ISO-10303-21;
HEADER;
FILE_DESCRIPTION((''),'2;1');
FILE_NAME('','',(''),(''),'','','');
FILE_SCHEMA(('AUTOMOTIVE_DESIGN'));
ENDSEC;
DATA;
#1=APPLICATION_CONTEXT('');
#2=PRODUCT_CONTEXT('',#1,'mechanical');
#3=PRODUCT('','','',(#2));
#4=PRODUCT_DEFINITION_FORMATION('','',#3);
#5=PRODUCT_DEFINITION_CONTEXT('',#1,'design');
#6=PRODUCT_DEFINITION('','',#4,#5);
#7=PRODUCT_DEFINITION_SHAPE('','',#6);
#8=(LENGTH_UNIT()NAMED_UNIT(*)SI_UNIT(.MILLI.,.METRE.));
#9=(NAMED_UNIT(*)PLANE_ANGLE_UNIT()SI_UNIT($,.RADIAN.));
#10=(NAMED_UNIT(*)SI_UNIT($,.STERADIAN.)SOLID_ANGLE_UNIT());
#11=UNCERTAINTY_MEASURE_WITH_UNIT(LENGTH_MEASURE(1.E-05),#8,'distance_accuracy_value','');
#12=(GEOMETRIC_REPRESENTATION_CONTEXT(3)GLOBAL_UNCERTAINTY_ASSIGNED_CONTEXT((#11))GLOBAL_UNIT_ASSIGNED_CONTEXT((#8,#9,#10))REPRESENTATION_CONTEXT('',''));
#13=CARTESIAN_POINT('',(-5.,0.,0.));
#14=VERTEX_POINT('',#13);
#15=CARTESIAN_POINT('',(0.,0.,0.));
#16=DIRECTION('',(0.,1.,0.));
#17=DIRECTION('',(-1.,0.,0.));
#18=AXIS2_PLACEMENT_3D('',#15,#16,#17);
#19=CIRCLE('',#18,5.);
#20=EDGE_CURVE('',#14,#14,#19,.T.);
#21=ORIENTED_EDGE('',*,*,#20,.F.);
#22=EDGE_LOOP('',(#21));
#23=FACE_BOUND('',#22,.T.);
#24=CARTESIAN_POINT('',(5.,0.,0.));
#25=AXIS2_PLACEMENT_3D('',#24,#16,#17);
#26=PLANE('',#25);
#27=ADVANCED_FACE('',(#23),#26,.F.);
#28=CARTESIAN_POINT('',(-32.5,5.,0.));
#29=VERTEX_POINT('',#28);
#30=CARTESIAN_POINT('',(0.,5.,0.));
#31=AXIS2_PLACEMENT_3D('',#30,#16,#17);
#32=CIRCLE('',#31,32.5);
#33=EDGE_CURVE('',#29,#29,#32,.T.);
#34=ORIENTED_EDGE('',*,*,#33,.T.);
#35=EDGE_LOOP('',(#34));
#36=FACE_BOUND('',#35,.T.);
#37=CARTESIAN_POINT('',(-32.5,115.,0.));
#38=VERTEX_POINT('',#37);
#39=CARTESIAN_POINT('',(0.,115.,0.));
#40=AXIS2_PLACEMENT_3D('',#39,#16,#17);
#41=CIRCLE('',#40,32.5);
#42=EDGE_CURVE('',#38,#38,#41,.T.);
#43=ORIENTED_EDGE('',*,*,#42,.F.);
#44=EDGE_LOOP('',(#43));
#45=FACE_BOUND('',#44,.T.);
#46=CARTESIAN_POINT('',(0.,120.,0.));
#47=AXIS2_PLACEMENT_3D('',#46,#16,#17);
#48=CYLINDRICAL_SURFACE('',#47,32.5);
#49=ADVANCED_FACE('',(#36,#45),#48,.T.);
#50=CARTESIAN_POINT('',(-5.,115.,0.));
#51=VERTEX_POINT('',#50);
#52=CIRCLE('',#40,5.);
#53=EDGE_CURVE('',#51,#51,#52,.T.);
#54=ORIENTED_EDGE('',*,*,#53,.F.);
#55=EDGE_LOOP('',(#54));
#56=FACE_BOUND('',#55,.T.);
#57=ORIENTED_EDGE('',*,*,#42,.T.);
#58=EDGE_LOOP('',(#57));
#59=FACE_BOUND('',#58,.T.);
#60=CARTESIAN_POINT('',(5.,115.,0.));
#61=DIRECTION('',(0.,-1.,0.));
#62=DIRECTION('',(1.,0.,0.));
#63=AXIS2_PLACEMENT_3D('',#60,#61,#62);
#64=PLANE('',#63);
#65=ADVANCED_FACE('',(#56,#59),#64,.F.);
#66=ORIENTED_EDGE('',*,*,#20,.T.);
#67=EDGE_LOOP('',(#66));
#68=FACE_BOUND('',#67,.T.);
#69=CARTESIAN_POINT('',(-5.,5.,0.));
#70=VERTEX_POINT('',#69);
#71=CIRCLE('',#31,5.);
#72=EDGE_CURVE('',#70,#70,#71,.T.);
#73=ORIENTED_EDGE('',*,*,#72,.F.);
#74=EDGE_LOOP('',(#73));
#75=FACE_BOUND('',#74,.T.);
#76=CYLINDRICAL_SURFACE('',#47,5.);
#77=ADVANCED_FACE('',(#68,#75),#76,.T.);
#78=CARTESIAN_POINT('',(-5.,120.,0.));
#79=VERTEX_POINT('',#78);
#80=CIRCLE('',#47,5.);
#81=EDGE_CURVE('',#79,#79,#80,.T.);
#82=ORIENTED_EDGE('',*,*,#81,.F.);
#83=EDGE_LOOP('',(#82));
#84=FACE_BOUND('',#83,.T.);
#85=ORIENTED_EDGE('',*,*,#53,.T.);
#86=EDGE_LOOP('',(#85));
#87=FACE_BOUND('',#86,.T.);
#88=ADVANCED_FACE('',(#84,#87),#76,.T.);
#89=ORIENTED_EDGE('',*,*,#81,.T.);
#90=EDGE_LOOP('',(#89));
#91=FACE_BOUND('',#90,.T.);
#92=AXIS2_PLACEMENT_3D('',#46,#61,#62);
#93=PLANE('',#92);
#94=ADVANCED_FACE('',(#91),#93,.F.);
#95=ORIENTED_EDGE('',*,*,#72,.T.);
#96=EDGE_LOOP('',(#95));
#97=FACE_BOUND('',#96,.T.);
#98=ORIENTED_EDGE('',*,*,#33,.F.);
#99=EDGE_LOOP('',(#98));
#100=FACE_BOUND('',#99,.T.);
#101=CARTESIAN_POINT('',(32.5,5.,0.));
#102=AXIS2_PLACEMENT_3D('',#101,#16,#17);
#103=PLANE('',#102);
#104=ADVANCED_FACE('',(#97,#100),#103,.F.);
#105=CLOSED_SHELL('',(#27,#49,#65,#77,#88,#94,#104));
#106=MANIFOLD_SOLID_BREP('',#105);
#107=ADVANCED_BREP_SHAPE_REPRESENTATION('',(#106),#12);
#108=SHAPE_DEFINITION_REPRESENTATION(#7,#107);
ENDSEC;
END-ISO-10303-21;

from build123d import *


with BuildPart() as part:
    # Croquis1 → Revolución1 (revolve)
    with BuildSketch(Plane.XY, mode=Mode.PRIVATE) as revoluci_n1_sk:
        Polygon((0, 120), (5, 120), (5, 115), (32.5, 115), (32.5, 5), (5, 5), (5, 0), (0, 0), align=None)
    revolve(revoluci_n1_sk.sketch.rotate(Axis((0, 120, 0), (0, -1, 0)), 180), axis=Axis((0, 120, 0), (0, -1, 0)))


solid = part.part
